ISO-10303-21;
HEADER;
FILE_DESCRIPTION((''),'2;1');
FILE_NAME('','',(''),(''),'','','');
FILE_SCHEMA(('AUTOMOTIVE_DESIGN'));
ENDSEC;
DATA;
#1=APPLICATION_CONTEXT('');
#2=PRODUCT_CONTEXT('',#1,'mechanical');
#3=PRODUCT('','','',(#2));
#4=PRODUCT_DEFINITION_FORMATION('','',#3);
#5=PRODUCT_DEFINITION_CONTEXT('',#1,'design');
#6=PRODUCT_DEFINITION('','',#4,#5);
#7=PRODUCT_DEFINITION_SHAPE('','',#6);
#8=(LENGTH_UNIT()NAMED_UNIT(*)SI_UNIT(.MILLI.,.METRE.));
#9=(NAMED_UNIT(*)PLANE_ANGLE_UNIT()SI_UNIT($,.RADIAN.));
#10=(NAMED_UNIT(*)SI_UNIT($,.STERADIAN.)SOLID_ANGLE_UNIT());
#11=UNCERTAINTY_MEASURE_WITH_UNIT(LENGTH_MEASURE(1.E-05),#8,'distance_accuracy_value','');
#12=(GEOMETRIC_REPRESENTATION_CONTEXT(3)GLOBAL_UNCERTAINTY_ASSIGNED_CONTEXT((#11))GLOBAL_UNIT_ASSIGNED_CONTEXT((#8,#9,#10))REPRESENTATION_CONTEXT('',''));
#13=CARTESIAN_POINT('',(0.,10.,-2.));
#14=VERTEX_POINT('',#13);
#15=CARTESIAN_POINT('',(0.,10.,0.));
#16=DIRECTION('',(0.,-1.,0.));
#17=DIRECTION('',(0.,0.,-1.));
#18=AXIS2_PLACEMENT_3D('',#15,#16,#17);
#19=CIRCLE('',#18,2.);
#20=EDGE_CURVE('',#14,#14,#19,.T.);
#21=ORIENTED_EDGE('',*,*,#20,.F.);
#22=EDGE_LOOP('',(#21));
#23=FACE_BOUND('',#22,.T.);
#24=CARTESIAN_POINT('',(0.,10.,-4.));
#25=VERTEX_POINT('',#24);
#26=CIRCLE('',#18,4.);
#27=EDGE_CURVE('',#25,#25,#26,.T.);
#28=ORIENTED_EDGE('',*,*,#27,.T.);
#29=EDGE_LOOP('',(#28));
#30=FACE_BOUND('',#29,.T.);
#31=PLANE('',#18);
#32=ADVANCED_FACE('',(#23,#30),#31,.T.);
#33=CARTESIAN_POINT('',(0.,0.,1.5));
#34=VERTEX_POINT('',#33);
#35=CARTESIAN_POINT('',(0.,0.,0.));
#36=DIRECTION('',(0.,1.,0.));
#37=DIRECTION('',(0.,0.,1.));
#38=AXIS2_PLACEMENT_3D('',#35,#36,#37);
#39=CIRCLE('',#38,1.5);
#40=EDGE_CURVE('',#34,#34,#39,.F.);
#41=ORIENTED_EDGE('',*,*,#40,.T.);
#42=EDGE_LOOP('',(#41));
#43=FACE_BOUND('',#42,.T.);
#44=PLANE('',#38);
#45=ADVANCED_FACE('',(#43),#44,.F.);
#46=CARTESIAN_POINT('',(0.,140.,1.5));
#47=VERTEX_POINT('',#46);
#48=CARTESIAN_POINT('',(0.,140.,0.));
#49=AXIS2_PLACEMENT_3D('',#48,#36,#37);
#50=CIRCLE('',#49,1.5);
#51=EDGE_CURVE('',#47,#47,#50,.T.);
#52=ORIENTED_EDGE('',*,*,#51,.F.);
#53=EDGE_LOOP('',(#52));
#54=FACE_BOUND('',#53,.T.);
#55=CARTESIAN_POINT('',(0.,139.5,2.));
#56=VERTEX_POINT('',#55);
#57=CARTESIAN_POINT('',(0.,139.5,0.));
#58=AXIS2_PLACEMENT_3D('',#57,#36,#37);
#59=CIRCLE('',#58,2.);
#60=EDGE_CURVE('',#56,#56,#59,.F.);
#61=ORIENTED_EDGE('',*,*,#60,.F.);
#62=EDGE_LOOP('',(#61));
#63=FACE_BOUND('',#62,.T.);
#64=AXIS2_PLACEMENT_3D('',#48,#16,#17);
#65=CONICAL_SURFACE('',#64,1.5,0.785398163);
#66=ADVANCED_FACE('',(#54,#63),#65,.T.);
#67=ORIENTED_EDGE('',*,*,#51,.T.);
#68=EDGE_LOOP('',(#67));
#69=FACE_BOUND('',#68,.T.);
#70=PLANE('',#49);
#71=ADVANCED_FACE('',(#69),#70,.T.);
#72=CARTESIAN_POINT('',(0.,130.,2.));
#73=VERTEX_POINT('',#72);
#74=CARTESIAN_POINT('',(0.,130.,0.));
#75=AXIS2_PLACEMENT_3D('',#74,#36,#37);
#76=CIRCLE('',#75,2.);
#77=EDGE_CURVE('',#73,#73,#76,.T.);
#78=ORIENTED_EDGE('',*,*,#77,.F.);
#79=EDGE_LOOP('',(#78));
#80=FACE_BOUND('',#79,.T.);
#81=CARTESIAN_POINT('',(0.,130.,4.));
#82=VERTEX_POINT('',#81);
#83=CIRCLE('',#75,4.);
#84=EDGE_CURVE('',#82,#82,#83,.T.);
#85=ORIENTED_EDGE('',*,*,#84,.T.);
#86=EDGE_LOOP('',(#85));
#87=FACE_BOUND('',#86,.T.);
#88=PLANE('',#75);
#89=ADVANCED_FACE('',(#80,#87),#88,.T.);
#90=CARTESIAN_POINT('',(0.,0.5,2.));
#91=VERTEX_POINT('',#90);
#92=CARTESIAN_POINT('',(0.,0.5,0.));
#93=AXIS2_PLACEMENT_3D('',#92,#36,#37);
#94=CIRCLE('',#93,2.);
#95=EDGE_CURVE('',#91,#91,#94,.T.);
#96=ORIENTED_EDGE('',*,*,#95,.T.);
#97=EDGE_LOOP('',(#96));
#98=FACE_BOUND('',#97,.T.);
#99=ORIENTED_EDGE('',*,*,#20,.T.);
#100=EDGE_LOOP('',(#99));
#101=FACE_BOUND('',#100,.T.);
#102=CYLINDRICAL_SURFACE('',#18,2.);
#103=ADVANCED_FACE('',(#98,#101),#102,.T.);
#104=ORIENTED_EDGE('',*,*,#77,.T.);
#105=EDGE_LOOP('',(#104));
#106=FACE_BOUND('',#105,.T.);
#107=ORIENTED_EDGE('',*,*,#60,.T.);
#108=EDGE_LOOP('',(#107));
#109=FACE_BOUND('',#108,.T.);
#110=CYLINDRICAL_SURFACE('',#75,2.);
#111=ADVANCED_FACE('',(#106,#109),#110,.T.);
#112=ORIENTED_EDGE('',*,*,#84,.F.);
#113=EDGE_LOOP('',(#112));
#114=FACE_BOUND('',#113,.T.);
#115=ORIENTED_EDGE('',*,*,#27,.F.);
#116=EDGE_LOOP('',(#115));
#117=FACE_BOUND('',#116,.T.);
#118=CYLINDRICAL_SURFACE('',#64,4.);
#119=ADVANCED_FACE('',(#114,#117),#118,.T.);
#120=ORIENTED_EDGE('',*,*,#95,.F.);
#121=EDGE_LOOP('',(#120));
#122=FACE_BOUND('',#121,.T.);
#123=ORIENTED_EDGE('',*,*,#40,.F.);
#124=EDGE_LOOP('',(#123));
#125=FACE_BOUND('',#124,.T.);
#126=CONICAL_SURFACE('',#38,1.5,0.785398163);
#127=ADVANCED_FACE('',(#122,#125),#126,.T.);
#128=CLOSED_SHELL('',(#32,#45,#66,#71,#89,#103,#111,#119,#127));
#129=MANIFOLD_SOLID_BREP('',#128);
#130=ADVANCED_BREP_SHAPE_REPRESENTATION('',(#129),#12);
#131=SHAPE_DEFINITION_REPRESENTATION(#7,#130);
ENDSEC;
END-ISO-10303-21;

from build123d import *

# Parameters (mm, degrees)
SKETCH1_R      = 4
EXTRUDE1_DEPTH = 140
EXTRUDE2_START = -10
SKETCH2_R      = 4
SKETCH2_R_2    = 2
EXTRUDE2_DEPTH = 10
SKETCH3_R      = 4
SKETCH3_R_2    = 2
EXTRUDE3_DEPTH = 10
CHAMFER1_SIZE  = 0.5


with BuildPart() as part:
    # Sketch1 → Extrude1 (new body)
    with BuildSketch(Plane(origin=(0, 0, 0), x_dir=(1, 0, 0), z_dir=(0, 1, 0))):
        with Locations(Location((0, 0, 0), (0, 0, 270))):
            Circle(SKETCH1_R)
    extrude(amount=EXTRUDE1_DEPTH)

    # Sketch2 → Extrude2 (cut)
    with BuildSketch(Plane(origin=(0, 140, 0), x_dir=(1, 0, 0), z_dir=(0, 1, 0)).offset(EXTRUDE2_START)):
        with Locations(Location((0, 0, 0), (0, 0, 270))):
            Circle(SKETCH2_R)
        with Locations(Location((0, 0, 0), (0, 0, 270))):
            Circle(SKETCH2_R_2, mode=Mode.SUBTRACT)
    extrude(amount=EXTRUDE2_DEPTH, mode=Mode.SUBTRACT)

    # Sketch3 → Extrude3 (cut)
    with BuildSketch(Plane.XZ):
        with Locations(Location((0, 0, 0), (0, 0, 270))):
            Circle(SKETCH3_R)
        with Locations(Location((0, 0, 0), (0, 0, 90))):
            Circle(SKETCH3_R_2, mode=Mode.SUBTRACT)
    extrude(amount=-EXTRUDE3_DEPTH, mode=Mode.SUBTRACT)

    # Chamfer1
    chamfer1_edges = [part.edges().sort_by_distance(p)[0] for p in [
        (0, 0, -2),
        (0, 140, -2),
    ]]
    chamfer(chamfer1_edges, length=CHAMFER1_SIZE)


solid = part.part
